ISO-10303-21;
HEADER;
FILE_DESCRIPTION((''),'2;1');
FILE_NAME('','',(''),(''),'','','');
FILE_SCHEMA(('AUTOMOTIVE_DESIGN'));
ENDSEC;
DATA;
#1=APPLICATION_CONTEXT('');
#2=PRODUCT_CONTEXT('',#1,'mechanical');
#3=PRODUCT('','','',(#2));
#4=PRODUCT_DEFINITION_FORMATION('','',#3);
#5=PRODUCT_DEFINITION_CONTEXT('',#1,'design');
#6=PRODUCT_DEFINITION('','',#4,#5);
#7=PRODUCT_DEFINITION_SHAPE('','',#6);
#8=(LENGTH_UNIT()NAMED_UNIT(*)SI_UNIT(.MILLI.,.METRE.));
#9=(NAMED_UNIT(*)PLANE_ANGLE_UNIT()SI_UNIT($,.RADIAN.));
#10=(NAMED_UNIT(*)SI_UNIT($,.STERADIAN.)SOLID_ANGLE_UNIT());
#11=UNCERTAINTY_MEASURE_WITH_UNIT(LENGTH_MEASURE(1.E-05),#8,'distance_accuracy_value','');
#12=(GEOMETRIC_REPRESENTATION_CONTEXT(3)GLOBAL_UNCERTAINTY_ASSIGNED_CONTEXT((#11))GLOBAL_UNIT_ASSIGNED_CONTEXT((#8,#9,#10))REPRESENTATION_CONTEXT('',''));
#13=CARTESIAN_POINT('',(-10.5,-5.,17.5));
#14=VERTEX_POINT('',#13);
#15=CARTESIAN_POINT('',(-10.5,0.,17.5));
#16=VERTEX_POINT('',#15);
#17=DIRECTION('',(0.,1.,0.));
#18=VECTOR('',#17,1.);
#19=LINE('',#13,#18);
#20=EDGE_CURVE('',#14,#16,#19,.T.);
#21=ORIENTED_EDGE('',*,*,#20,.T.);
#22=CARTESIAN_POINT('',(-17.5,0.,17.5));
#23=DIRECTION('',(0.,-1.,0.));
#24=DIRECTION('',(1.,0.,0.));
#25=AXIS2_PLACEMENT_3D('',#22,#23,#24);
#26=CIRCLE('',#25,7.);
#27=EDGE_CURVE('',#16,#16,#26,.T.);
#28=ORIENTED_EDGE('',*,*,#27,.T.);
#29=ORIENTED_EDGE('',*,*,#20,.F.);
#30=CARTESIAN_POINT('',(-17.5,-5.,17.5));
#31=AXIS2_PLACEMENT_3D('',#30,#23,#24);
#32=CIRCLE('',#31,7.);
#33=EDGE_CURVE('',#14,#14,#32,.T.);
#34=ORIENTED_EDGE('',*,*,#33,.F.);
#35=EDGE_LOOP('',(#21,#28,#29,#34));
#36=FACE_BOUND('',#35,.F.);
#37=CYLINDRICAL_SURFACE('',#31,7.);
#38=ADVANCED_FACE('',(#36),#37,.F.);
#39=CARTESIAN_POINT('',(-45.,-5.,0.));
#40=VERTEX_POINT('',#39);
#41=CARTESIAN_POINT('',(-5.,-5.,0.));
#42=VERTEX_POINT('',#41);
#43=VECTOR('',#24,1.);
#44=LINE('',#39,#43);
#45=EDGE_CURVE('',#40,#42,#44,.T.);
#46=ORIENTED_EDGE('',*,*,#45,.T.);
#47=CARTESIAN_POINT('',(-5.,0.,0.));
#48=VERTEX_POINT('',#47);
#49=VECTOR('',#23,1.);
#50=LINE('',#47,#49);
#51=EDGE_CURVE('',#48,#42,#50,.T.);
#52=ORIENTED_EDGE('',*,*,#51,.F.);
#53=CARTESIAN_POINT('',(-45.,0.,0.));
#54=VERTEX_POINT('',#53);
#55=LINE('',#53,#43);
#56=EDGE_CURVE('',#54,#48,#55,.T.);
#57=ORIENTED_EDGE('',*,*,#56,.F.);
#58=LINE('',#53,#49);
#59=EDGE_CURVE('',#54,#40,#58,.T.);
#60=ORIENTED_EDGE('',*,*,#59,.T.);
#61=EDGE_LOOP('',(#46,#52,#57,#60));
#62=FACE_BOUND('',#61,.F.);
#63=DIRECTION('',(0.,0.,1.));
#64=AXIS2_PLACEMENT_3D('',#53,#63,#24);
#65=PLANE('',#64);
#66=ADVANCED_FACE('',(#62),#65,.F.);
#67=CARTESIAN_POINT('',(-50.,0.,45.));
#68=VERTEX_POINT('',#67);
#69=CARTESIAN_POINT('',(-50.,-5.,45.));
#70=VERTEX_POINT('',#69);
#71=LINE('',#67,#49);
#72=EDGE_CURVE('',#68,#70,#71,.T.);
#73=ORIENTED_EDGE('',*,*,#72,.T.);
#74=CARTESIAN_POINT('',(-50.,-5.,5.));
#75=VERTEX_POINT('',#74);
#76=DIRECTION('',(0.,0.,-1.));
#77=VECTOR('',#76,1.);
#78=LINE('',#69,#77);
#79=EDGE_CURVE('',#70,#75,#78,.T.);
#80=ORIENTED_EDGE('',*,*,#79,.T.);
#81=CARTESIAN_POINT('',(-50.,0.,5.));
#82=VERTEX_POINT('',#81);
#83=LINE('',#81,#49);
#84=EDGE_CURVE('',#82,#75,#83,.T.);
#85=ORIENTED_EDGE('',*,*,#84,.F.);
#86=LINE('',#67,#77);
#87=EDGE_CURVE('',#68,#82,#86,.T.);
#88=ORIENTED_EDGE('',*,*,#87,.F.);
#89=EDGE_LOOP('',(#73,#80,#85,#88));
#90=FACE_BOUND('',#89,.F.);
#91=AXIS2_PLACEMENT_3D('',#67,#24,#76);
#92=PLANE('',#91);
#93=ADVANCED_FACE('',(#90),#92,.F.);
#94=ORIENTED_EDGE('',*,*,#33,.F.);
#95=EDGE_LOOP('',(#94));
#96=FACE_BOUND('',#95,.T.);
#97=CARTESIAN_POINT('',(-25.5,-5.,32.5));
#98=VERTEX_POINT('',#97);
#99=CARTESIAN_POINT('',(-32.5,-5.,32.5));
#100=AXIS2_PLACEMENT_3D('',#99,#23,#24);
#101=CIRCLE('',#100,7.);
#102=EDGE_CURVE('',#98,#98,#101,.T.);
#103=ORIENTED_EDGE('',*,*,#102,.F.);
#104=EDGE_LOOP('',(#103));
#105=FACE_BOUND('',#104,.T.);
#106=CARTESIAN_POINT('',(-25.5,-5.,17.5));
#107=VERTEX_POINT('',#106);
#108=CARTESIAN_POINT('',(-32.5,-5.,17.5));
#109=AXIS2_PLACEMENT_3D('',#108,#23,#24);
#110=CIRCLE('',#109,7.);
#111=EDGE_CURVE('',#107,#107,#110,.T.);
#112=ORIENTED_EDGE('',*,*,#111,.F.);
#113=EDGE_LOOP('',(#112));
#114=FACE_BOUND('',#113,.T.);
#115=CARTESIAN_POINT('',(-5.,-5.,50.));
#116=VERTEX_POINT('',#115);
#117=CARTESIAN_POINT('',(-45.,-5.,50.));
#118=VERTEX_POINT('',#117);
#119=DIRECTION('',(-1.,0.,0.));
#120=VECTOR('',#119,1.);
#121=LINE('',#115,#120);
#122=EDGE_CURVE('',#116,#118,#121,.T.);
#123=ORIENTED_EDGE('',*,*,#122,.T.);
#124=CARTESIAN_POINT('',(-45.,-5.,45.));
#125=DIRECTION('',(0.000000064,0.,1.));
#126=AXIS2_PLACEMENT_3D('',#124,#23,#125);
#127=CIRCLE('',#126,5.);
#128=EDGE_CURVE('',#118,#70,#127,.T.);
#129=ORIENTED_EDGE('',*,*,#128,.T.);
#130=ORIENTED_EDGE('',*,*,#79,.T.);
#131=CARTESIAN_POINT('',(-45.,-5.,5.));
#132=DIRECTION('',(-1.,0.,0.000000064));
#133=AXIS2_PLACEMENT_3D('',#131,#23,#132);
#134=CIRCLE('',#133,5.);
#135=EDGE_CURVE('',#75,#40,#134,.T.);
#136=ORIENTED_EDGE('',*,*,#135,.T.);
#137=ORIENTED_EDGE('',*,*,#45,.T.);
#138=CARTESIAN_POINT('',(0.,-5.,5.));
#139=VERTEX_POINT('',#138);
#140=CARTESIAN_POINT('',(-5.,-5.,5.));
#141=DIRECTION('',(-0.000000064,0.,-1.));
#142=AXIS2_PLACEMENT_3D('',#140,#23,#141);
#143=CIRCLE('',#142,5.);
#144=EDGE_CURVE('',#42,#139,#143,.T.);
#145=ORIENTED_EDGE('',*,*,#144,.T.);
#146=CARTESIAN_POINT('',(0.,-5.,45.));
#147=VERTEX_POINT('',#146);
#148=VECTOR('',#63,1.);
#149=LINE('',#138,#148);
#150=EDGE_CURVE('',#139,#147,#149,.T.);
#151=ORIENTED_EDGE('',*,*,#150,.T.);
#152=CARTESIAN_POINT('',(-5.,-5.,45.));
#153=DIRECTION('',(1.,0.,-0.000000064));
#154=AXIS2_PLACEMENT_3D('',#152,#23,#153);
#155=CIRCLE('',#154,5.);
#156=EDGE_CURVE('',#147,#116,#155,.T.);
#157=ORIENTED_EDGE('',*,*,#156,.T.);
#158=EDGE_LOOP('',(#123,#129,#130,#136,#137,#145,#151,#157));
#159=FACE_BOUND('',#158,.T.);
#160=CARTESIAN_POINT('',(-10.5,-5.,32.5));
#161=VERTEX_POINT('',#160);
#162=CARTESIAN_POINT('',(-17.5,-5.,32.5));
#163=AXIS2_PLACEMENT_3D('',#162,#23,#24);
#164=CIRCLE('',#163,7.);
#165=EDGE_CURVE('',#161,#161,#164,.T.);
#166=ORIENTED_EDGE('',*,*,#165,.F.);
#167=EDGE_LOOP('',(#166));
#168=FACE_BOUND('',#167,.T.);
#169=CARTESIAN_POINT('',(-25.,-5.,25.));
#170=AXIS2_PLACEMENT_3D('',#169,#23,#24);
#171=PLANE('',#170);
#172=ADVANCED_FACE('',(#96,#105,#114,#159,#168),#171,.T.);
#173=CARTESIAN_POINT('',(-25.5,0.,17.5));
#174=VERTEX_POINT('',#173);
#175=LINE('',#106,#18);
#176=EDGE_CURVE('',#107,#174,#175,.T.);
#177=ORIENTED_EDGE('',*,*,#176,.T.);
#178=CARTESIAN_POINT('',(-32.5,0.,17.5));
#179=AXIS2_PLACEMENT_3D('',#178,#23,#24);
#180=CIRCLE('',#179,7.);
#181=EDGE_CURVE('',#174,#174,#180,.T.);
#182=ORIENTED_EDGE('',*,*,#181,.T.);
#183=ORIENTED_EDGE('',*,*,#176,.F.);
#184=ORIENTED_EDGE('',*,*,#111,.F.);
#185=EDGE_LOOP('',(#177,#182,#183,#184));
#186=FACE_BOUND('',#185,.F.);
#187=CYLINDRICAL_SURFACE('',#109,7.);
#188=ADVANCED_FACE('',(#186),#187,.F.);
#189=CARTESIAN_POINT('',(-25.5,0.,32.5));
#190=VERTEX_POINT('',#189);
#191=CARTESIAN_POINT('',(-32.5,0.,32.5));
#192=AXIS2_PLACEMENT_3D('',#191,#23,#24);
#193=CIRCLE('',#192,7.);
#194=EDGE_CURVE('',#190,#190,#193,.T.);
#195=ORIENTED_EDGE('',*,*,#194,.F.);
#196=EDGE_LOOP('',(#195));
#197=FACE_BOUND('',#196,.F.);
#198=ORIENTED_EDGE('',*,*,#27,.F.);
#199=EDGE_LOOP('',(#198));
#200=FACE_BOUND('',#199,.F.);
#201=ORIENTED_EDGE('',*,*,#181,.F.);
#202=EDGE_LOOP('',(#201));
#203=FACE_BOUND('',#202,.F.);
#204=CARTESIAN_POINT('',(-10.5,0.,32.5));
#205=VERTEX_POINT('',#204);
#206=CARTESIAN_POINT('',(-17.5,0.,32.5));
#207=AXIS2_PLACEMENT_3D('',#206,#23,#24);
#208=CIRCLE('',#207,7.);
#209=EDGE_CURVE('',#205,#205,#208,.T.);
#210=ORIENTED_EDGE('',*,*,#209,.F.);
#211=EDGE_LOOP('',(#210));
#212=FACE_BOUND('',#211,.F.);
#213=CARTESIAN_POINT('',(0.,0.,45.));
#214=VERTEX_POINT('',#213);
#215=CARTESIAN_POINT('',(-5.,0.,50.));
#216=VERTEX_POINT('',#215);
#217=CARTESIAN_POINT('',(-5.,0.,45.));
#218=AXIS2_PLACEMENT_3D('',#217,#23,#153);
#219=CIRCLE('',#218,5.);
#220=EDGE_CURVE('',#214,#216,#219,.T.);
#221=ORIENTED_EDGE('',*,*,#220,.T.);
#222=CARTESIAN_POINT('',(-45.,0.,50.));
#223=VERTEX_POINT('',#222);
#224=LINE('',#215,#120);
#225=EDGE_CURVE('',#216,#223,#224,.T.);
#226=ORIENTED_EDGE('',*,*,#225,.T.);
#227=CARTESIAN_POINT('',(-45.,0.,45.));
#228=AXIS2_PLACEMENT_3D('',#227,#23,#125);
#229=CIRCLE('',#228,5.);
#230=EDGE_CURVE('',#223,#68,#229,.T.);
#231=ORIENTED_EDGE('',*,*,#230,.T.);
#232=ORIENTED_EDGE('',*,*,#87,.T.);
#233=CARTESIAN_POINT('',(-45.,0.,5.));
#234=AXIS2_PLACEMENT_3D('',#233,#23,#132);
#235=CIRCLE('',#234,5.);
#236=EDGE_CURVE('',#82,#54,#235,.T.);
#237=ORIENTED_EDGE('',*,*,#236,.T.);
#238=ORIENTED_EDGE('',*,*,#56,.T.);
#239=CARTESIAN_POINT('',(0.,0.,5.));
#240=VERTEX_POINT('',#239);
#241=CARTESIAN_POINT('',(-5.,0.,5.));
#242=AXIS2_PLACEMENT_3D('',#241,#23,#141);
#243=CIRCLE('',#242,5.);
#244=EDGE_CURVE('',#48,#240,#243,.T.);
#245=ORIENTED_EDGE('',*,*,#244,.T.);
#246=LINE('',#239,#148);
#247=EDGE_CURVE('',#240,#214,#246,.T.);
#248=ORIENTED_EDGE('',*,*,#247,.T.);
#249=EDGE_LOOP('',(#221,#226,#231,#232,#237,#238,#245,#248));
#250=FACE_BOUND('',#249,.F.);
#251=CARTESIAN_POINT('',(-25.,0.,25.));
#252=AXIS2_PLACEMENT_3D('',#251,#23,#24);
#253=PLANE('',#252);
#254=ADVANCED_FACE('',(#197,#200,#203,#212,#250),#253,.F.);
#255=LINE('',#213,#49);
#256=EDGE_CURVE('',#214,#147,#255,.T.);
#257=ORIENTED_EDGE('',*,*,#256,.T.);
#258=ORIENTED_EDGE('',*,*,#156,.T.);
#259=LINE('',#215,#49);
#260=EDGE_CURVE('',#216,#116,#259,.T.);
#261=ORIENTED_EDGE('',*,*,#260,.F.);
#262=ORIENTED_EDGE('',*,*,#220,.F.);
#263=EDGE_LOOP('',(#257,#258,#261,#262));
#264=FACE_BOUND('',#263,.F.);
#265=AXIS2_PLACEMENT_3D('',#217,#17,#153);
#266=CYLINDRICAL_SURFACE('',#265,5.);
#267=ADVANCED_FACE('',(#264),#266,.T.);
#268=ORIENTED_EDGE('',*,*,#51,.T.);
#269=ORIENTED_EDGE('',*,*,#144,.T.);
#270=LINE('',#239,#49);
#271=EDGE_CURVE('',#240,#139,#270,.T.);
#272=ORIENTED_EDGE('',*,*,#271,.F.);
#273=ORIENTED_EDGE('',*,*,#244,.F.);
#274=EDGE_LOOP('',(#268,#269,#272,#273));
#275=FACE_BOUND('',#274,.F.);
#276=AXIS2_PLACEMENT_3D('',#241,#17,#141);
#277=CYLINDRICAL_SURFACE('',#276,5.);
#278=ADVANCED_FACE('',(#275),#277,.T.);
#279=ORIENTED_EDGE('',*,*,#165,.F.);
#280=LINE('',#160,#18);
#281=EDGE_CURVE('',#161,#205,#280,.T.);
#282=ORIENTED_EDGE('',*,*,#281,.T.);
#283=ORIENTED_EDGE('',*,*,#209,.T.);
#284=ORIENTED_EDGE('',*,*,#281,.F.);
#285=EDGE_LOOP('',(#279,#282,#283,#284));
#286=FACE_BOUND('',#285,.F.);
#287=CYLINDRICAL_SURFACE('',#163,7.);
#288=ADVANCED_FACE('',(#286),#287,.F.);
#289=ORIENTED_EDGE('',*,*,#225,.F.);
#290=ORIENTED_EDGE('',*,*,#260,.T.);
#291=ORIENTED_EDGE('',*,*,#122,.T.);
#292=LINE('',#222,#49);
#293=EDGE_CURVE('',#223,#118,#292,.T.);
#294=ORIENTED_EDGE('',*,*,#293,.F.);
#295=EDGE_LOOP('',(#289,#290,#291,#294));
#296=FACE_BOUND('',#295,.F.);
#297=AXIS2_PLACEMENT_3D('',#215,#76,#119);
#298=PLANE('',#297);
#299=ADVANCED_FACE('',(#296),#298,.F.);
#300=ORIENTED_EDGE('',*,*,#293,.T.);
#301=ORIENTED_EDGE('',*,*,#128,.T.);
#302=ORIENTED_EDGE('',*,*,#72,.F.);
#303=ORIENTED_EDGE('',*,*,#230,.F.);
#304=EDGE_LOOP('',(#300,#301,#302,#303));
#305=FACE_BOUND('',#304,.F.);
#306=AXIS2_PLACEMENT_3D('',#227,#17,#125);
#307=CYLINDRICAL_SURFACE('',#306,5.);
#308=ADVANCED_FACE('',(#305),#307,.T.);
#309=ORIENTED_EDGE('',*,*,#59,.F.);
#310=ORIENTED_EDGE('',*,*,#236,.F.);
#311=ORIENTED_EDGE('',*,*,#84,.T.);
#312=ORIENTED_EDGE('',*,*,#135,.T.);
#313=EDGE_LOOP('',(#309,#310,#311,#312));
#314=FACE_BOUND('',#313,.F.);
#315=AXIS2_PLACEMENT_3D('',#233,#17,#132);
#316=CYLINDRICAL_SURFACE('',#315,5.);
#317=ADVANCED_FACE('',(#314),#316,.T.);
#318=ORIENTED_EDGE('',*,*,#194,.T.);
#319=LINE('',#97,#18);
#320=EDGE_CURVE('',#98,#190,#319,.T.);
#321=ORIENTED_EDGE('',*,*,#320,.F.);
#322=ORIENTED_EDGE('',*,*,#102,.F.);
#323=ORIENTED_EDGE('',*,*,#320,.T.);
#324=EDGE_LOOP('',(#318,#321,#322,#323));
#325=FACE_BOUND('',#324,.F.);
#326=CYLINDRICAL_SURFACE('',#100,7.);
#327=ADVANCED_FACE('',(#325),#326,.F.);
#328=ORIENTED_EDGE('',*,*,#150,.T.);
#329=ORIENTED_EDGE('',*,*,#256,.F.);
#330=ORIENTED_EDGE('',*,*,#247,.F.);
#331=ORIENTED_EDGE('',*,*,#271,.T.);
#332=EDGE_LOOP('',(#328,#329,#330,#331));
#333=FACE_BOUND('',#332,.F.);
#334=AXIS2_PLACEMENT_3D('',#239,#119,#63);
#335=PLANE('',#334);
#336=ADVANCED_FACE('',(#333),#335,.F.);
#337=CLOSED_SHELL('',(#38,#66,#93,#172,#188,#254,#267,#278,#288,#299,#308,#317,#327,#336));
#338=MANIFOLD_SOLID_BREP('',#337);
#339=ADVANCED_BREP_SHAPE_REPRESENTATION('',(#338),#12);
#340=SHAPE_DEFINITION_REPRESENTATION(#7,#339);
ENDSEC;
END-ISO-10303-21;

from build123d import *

# Parameters (mm, degrees)
F1_DEPTH = 5
F2_R     = 7
F3_DEPTH = 5.001


with BuildPart() as f1:
    # F0 (on Front) → F1 (new body)
    with BuildSketch(Plane.XZ):
        with BuildLine():
            Line((-5, 50), (-45, 50))
            ThreePointArc((-45, 50), (-48.535534, 48.535534), (-50, 45))
            Line((-50, 45), (-50, 5))
            ThreePointArc((-50, 5), (-48.535534, 1.464466), (-45, 0))
            Line((-45, 0), (-5, 0))
            ThreePointArc((-5, 0), (-1.464466, 1.464466), (0, 5))
            Line((0, 5), (0, 45))
            ThreePointArc((0, 45), (-1.464466, 48.535534), (-5, 50))
        make_face()
    extrude(amount=F1_DEPTH)

    # F2 (on face) → F3 (cut, through all)
    with BuildSketch(Plane.XZ.offset(5)):
        with Locations((-17.5, 32.5)):
            Circle(F2_R)
        with Locations((-32.5, 32.5)):
            Circle(F2_R)
        with Locations((-17.5, 17.5)):
            Circle(F2_R)
        with Locations((-32.5, 17.5)):
            Circle(F2_R)
    extrude(amount=-F3_DEPTH, mode=Mode.SUBTRACT)


solid = f1.part
